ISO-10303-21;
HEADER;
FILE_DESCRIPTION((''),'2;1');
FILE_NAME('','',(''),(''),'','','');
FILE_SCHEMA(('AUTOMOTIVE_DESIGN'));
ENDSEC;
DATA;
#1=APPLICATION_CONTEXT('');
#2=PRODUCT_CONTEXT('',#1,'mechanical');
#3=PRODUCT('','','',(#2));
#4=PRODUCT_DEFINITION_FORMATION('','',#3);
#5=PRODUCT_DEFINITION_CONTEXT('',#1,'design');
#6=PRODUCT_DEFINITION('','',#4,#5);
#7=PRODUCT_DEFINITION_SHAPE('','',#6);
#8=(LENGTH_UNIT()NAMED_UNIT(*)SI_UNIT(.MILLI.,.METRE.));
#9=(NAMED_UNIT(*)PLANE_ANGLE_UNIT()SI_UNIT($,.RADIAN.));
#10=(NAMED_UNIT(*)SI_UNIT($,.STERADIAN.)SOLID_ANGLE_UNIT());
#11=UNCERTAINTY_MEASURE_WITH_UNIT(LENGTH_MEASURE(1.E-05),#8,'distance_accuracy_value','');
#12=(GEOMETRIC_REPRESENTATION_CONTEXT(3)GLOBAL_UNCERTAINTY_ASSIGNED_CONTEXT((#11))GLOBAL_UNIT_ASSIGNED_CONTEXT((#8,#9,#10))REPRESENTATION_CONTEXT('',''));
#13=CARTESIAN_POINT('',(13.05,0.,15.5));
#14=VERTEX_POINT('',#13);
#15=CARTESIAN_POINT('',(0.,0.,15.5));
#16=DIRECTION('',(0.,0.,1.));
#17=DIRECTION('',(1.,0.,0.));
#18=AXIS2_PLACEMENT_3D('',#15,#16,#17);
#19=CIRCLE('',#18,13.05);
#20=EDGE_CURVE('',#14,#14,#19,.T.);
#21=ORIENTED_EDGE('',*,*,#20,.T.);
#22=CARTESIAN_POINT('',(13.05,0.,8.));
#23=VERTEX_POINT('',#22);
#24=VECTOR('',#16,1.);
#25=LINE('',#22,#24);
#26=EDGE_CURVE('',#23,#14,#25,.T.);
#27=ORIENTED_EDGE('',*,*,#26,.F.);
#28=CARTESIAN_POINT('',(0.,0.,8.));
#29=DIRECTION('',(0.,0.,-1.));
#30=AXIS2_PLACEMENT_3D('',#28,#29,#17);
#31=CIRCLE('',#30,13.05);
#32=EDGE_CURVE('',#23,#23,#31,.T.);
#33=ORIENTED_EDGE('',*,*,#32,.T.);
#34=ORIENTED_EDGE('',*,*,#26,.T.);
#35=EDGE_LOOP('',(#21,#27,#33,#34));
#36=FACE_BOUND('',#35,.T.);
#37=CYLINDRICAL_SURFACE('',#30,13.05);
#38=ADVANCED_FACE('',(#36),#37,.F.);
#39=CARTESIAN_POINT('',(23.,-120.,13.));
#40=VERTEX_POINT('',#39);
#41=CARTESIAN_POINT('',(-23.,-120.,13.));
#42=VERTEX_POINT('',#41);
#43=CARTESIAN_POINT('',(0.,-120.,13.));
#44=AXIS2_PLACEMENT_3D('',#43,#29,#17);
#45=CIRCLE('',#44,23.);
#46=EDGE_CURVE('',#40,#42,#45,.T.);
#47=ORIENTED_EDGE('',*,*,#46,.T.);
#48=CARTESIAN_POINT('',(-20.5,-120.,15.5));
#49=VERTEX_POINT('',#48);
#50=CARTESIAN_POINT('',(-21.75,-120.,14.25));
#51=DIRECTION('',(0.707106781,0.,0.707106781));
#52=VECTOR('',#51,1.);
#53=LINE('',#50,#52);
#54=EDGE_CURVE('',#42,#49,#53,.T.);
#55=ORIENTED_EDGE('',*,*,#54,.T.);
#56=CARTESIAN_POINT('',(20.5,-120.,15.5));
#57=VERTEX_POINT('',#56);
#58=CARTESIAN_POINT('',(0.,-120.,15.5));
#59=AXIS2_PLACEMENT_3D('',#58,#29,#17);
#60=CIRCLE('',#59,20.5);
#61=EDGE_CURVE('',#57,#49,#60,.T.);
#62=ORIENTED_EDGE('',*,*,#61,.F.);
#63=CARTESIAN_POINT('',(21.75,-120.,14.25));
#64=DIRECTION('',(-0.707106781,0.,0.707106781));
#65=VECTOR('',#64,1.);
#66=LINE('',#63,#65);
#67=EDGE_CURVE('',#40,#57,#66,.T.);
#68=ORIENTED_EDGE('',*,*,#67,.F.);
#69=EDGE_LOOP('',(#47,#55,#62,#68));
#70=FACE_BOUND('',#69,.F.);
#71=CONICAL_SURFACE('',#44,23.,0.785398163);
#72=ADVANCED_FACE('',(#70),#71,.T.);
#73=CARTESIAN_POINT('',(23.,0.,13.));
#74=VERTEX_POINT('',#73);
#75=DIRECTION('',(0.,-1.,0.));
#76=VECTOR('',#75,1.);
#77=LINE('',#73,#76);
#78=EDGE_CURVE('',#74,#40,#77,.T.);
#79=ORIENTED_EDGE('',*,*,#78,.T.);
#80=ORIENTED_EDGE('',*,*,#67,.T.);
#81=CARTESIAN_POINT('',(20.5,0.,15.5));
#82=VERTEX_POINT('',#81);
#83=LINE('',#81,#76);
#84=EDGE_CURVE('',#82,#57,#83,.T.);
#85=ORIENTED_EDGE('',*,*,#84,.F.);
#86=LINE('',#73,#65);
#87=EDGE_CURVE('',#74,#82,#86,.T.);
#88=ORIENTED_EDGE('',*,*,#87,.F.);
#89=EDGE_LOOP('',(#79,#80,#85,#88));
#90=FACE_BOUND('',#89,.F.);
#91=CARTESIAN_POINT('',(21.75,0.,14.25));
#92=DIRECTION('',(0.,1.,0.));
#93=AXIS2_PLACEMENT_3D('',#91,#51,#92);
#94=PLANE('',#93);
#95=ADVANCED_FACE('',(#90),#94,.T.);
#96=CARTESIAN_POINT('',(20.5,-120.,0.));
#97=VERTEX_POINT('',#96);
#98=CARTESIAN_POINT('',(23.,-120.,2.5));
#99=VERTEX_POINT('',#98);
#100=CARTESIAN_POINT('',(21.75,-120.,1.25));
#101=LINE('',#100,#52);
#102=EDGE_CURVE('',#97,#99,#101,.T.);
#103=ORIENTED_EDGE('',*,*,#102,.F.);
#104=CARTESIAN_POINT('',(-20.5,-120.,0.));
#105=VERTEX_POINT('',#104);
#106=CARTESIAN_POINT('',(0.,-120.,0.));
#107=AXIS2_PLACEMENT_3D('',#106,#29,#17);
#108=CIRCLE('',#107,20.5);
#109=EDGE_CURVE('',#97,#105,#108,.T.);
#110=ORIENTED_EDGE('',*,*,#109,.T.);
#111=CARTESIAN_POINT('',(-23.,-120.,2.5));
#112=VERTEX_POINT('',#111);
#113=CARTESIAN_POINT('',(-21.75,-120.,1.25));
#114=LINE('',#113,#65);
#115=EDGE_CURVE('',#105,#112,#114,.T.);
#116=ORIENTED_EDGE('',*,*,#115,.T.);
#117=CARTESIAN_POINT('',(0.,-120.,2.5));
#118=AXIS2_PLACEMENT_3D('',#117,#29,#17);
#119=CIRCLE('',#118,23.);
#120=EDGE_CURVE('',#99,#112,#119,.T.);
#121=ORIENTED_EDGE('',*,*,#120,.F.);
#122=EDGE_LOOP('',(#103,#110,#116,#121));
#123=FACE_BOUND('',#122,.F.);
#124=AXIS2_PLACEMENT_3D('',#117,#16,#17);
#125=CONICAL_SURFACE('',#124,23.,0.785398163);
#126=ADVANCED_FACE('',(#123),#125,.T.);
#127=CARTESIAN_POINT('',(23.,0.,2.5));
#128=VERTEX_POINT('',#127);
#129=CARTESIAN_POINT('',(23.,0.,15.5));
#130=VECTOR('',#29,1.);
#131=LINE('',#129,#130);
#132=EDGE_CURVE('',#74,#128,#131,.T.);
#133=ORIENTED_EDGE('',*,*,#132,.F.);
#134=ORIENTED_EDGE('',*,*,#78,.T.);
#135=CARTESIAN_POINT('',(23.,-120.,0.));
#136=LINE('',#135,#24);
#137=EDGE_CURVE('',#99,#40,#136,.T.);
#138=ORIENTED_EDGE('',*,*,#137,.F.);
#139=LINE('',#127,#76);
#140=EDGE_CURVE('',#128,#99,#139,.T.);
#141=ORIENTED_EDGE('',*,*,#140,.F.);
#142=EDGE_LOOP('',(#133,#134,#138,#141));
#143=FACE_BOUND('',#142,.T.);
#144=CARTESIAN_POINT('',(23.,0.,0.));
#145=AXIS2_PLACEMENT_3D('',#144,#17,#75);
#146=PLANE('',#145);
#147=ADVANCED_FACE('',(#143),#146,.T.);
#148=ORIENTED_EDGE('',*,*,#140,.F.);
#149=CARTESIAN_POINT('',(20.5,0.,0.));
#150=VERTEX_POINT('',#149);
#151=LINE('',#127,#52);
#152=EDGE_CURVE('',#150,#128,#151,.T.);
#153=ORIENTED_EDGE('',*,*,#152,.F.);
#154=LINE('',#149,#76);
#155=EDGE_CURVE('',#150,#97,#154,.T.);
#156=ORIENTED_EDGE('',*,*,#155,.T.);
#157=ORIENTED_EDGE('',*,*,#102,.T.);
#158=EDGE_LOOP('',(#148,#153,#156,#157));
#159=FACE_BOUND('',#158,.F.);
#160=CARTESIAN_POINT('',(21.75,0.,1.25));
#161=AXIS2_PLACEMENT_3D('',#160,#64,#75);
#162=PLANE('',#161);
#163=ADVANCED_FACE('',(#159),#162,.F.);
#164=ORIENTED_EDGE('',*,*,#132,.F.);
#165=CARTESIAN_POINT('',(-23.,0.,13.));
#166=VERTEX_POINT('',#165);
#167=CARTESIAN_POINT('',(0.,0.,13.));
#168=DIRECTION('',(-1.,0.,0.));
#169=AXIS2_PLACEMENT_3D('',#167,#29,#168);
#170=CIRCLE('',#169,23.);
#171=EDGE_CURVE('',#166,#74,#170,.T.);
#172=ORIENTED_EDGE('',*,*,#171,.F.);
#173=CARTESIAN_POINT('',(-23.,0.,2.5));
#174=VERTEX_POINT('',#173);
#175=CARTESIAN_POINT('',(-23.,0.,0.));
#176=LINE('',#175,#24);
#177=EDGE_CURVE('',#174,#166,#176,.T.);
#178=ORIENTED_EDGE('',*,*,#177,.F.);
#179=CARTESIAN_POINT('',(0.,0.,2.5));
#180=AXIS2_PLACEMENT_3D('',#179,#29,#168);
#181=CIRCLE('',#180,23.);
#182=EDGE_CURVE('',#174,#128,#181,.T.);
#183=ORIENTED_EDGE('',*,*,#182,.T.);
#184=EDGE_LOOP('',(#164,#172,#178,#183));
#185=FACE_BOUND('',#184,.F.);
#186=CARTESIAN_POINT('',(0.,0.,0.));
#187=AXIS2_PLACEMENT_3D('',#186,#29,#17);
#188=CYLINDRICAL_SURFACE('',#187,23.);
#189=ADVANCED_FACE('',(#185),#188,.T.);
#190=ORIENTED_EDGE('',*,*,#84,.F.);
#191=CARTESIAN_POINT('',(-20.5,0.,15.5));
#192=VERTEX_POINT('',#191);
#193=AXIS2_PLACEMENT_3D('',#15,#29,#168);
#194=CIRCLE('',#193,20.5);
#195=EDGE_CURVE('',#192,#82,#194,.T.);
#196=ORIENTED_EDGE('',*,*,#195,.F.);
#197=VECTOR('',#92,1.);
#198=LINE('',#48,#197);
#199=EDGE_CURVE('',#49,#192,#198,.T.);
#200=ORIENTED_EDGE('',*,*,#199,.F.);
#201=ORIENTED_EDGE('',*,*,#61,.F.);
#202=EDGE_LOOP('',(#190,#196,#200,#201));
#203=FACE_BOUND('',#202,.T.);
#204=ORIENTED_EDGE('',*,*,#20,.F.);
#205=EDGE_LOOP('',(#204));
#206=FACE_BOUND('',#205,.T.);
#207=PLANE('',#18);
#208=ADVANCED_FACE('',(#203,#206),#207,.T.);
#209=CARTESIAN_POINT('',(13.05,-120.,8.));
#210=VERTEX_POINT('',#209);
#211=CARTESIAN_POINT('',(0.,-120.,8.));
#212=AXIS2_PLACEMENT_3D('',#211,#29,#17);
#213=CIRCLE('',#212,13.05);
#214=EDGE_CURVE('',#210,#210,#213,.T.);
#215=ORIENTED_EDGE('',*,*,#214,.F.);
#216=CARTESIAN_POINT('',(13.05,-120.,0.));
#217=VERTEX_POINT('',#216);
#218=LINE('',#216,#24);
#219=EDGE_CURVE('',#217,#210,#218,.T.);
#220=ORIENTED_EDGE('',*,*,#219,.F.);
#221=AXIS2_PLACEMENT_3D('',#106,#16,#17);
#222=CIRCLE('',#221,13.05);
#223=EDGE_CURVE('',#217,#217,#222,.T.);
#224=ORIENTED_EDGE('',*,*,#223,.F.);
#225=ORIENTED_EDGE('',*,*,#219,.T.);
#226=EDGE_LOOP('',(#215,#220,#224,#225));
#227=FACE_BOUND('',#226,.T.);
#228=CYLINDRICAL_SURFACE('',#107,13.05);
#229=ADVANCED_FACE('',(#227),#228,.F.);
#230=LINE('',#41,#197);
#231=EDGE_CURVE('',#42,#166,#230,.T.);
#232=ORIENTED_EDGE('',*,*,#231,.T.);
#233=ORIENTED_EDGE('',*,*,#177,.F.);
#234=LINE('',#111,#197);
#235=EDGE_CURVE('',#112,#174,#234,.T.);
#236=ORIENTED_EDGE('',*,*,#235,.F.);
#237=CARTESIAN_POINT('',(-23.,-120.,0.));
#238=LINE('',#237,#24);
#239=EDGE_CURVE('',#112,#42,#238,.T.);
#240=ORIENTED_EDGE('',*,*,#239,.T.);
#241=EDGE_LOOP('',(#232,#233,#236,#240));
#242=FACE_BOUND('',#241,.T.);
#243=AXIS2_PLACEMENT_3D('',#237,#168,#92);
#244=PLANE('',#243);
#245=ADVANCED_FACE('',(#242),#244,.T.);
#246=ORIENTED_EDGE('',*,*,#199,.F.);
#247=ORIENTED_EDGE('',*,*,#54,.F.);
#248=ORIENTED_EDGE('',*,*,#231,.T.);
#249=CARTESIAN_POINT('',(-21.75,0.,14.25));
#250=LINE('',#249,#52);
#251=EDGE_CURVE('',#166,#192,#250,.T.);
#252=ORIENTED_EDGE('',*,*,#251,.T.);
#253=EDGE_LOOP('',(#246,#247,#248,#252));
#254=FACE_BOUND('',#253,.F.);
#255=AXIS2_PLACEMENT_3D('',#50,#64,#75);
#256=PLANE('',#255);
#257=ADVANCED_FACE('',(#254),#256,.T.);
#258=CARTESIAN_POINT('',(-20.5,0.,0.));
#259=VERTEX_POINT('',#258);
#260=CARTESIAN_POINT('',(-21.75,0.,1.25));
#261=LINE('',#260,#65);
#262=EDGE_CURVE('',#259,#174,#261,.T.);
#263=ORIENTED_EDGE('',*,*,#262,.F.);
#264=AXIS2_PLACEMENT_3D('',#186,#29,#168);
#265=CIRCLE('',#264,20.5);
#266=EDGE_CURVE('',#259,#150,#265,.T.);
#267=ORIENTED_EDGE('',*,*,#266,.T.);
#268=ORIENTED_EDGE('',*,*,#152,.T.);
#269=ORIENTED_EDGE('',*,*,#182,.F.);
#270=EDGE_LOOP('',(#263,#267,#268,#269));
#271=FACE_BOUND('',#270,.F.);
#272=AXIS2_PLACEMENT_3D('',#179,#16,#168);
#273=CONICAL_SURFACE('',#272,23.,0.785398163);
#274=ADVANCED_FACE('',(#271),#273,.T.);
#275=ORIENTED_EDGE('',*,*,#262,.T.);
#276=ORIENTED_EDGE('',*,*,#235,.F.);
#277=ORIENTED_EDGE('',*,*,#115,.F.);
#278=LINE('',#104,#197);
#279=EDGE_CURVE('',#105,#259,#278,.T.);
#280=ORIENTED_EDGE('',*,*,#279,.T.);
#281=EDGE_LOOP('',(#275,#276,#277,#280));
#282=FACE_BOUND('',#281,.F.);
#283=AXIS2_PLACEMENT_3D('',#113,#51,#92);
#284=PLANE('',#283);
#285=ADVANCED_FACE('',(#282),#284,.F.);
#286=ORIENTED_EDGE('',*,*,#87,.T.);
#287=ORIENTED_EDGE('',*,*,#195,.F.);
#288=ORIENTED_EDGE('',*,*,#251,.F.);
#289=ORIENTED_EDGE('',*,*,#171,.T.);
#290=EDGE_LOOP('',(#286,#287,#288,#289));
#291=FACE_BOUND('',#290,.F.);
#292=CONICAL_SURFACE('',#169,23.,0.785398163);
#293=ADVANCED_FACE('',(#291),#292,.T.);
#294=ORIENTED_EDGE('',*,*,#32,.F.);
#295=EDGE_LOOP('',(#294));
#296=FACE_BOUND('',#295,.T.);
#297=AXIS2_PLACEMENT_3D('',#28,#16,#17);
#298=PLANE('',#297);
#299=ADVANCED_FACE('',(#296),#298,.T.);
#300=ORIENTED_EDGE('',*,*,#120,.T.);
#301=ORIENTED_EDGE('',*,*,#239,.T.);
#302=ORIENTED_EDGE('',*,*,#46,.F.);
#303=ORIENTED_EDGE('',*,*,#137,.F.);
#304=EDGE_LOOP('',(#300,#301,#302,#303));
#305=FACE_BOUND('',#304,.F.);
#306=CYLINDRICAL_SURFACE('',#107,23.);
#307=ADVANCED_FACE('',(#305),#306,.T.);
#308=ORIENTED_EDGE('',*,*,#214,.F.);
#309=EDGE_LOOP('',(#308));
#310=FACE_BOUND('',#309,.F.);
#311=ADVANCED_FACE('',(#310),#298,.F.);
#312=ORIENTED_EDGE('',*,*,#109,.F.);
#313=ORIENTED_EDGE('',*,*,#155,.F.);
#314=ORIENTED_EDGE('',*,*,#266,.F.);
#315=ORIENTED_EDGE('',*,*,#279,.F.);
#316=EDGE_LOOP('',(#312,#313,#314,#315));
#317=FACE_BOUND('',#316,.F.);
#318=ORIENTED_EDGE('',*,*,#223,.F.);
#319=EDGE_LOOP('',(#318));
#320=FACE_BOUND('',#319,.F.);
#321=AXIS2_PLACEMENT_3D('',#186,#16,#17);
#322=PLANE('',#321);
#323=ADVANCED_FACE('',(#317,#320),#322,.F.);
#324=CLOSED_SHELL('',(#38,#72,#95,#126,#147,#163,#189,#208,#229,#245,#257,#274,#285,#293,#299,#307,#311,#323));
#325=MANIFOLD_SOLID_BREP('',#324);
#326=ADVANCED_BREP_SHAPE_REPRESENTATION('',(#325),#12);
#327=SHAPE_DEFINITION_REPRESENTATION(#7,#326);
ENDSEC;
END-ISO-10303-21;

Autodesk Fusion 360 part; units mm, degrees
sketch "main" plane through (0, 0, 0) normal (0, 0, 1) x (1, 0, 0) in component "crank-arm"
  circle A0 centre (0, 0) radius 13.05
  circle A1 centre (0, 0) radius 23
  line L0 (-23, 0) -> (23, 0)
  line L1 (23, 0) -> (23, -120)
  line L2 (23, -120) -> (-23, -120)
  line L3 (-23, -120) -> (-23, 0)
  circle A2 centre (0, -120) radius 23
  circle A3 centre (0, -120) radius 13.05
  dimension "d1" = 26.1
  dimension "d2" = 46
  dimension "d3" = 46
  dimension "d4" = 120
  dimension "d5" = 46
  dimension "d6" = 26.1
extrude "Extrude1" add sketch "main" along normal blind 8 contours A0 L0 | A0 A1 L0 | A0 A1 L0 | A0 L0 | A1 L1 L3 A2 | L2 A2 A3 | L2 A2 A3 in component "crank-arm"
extrude "Extrude2" add sketch "main" along normal blind 7.5 from surface at 8 contours A0 A1 L0 | A0 A1 L0 | A1 L1 L3 A2 | L2 A2 A3 | L2 A2 A3 | L2 A3 | L2 A3 in component "crank-arm"
chamfer "Chamfer1" distance 2.5 angle 45 8 edges at (-23, -60, 15.5) (0, -143, 15.5) (23, -60, 15.5) (0, 23, 15.5) (-23, -60, 0) (0, 23, 0) (23, -60, 0) (0, -143, 0) in component "crank-arm"
component "crank-arm" placed x (1, 0, 0) y (0, 1, 0) z (0, 0, 1) at (0, 0, 0)
equation "d1 = 26 mm + 0.1 mm"
equation "d6 = 26 mm + 0.1 mm"
equation "d10 = 8 mm - 0.5 mm"
